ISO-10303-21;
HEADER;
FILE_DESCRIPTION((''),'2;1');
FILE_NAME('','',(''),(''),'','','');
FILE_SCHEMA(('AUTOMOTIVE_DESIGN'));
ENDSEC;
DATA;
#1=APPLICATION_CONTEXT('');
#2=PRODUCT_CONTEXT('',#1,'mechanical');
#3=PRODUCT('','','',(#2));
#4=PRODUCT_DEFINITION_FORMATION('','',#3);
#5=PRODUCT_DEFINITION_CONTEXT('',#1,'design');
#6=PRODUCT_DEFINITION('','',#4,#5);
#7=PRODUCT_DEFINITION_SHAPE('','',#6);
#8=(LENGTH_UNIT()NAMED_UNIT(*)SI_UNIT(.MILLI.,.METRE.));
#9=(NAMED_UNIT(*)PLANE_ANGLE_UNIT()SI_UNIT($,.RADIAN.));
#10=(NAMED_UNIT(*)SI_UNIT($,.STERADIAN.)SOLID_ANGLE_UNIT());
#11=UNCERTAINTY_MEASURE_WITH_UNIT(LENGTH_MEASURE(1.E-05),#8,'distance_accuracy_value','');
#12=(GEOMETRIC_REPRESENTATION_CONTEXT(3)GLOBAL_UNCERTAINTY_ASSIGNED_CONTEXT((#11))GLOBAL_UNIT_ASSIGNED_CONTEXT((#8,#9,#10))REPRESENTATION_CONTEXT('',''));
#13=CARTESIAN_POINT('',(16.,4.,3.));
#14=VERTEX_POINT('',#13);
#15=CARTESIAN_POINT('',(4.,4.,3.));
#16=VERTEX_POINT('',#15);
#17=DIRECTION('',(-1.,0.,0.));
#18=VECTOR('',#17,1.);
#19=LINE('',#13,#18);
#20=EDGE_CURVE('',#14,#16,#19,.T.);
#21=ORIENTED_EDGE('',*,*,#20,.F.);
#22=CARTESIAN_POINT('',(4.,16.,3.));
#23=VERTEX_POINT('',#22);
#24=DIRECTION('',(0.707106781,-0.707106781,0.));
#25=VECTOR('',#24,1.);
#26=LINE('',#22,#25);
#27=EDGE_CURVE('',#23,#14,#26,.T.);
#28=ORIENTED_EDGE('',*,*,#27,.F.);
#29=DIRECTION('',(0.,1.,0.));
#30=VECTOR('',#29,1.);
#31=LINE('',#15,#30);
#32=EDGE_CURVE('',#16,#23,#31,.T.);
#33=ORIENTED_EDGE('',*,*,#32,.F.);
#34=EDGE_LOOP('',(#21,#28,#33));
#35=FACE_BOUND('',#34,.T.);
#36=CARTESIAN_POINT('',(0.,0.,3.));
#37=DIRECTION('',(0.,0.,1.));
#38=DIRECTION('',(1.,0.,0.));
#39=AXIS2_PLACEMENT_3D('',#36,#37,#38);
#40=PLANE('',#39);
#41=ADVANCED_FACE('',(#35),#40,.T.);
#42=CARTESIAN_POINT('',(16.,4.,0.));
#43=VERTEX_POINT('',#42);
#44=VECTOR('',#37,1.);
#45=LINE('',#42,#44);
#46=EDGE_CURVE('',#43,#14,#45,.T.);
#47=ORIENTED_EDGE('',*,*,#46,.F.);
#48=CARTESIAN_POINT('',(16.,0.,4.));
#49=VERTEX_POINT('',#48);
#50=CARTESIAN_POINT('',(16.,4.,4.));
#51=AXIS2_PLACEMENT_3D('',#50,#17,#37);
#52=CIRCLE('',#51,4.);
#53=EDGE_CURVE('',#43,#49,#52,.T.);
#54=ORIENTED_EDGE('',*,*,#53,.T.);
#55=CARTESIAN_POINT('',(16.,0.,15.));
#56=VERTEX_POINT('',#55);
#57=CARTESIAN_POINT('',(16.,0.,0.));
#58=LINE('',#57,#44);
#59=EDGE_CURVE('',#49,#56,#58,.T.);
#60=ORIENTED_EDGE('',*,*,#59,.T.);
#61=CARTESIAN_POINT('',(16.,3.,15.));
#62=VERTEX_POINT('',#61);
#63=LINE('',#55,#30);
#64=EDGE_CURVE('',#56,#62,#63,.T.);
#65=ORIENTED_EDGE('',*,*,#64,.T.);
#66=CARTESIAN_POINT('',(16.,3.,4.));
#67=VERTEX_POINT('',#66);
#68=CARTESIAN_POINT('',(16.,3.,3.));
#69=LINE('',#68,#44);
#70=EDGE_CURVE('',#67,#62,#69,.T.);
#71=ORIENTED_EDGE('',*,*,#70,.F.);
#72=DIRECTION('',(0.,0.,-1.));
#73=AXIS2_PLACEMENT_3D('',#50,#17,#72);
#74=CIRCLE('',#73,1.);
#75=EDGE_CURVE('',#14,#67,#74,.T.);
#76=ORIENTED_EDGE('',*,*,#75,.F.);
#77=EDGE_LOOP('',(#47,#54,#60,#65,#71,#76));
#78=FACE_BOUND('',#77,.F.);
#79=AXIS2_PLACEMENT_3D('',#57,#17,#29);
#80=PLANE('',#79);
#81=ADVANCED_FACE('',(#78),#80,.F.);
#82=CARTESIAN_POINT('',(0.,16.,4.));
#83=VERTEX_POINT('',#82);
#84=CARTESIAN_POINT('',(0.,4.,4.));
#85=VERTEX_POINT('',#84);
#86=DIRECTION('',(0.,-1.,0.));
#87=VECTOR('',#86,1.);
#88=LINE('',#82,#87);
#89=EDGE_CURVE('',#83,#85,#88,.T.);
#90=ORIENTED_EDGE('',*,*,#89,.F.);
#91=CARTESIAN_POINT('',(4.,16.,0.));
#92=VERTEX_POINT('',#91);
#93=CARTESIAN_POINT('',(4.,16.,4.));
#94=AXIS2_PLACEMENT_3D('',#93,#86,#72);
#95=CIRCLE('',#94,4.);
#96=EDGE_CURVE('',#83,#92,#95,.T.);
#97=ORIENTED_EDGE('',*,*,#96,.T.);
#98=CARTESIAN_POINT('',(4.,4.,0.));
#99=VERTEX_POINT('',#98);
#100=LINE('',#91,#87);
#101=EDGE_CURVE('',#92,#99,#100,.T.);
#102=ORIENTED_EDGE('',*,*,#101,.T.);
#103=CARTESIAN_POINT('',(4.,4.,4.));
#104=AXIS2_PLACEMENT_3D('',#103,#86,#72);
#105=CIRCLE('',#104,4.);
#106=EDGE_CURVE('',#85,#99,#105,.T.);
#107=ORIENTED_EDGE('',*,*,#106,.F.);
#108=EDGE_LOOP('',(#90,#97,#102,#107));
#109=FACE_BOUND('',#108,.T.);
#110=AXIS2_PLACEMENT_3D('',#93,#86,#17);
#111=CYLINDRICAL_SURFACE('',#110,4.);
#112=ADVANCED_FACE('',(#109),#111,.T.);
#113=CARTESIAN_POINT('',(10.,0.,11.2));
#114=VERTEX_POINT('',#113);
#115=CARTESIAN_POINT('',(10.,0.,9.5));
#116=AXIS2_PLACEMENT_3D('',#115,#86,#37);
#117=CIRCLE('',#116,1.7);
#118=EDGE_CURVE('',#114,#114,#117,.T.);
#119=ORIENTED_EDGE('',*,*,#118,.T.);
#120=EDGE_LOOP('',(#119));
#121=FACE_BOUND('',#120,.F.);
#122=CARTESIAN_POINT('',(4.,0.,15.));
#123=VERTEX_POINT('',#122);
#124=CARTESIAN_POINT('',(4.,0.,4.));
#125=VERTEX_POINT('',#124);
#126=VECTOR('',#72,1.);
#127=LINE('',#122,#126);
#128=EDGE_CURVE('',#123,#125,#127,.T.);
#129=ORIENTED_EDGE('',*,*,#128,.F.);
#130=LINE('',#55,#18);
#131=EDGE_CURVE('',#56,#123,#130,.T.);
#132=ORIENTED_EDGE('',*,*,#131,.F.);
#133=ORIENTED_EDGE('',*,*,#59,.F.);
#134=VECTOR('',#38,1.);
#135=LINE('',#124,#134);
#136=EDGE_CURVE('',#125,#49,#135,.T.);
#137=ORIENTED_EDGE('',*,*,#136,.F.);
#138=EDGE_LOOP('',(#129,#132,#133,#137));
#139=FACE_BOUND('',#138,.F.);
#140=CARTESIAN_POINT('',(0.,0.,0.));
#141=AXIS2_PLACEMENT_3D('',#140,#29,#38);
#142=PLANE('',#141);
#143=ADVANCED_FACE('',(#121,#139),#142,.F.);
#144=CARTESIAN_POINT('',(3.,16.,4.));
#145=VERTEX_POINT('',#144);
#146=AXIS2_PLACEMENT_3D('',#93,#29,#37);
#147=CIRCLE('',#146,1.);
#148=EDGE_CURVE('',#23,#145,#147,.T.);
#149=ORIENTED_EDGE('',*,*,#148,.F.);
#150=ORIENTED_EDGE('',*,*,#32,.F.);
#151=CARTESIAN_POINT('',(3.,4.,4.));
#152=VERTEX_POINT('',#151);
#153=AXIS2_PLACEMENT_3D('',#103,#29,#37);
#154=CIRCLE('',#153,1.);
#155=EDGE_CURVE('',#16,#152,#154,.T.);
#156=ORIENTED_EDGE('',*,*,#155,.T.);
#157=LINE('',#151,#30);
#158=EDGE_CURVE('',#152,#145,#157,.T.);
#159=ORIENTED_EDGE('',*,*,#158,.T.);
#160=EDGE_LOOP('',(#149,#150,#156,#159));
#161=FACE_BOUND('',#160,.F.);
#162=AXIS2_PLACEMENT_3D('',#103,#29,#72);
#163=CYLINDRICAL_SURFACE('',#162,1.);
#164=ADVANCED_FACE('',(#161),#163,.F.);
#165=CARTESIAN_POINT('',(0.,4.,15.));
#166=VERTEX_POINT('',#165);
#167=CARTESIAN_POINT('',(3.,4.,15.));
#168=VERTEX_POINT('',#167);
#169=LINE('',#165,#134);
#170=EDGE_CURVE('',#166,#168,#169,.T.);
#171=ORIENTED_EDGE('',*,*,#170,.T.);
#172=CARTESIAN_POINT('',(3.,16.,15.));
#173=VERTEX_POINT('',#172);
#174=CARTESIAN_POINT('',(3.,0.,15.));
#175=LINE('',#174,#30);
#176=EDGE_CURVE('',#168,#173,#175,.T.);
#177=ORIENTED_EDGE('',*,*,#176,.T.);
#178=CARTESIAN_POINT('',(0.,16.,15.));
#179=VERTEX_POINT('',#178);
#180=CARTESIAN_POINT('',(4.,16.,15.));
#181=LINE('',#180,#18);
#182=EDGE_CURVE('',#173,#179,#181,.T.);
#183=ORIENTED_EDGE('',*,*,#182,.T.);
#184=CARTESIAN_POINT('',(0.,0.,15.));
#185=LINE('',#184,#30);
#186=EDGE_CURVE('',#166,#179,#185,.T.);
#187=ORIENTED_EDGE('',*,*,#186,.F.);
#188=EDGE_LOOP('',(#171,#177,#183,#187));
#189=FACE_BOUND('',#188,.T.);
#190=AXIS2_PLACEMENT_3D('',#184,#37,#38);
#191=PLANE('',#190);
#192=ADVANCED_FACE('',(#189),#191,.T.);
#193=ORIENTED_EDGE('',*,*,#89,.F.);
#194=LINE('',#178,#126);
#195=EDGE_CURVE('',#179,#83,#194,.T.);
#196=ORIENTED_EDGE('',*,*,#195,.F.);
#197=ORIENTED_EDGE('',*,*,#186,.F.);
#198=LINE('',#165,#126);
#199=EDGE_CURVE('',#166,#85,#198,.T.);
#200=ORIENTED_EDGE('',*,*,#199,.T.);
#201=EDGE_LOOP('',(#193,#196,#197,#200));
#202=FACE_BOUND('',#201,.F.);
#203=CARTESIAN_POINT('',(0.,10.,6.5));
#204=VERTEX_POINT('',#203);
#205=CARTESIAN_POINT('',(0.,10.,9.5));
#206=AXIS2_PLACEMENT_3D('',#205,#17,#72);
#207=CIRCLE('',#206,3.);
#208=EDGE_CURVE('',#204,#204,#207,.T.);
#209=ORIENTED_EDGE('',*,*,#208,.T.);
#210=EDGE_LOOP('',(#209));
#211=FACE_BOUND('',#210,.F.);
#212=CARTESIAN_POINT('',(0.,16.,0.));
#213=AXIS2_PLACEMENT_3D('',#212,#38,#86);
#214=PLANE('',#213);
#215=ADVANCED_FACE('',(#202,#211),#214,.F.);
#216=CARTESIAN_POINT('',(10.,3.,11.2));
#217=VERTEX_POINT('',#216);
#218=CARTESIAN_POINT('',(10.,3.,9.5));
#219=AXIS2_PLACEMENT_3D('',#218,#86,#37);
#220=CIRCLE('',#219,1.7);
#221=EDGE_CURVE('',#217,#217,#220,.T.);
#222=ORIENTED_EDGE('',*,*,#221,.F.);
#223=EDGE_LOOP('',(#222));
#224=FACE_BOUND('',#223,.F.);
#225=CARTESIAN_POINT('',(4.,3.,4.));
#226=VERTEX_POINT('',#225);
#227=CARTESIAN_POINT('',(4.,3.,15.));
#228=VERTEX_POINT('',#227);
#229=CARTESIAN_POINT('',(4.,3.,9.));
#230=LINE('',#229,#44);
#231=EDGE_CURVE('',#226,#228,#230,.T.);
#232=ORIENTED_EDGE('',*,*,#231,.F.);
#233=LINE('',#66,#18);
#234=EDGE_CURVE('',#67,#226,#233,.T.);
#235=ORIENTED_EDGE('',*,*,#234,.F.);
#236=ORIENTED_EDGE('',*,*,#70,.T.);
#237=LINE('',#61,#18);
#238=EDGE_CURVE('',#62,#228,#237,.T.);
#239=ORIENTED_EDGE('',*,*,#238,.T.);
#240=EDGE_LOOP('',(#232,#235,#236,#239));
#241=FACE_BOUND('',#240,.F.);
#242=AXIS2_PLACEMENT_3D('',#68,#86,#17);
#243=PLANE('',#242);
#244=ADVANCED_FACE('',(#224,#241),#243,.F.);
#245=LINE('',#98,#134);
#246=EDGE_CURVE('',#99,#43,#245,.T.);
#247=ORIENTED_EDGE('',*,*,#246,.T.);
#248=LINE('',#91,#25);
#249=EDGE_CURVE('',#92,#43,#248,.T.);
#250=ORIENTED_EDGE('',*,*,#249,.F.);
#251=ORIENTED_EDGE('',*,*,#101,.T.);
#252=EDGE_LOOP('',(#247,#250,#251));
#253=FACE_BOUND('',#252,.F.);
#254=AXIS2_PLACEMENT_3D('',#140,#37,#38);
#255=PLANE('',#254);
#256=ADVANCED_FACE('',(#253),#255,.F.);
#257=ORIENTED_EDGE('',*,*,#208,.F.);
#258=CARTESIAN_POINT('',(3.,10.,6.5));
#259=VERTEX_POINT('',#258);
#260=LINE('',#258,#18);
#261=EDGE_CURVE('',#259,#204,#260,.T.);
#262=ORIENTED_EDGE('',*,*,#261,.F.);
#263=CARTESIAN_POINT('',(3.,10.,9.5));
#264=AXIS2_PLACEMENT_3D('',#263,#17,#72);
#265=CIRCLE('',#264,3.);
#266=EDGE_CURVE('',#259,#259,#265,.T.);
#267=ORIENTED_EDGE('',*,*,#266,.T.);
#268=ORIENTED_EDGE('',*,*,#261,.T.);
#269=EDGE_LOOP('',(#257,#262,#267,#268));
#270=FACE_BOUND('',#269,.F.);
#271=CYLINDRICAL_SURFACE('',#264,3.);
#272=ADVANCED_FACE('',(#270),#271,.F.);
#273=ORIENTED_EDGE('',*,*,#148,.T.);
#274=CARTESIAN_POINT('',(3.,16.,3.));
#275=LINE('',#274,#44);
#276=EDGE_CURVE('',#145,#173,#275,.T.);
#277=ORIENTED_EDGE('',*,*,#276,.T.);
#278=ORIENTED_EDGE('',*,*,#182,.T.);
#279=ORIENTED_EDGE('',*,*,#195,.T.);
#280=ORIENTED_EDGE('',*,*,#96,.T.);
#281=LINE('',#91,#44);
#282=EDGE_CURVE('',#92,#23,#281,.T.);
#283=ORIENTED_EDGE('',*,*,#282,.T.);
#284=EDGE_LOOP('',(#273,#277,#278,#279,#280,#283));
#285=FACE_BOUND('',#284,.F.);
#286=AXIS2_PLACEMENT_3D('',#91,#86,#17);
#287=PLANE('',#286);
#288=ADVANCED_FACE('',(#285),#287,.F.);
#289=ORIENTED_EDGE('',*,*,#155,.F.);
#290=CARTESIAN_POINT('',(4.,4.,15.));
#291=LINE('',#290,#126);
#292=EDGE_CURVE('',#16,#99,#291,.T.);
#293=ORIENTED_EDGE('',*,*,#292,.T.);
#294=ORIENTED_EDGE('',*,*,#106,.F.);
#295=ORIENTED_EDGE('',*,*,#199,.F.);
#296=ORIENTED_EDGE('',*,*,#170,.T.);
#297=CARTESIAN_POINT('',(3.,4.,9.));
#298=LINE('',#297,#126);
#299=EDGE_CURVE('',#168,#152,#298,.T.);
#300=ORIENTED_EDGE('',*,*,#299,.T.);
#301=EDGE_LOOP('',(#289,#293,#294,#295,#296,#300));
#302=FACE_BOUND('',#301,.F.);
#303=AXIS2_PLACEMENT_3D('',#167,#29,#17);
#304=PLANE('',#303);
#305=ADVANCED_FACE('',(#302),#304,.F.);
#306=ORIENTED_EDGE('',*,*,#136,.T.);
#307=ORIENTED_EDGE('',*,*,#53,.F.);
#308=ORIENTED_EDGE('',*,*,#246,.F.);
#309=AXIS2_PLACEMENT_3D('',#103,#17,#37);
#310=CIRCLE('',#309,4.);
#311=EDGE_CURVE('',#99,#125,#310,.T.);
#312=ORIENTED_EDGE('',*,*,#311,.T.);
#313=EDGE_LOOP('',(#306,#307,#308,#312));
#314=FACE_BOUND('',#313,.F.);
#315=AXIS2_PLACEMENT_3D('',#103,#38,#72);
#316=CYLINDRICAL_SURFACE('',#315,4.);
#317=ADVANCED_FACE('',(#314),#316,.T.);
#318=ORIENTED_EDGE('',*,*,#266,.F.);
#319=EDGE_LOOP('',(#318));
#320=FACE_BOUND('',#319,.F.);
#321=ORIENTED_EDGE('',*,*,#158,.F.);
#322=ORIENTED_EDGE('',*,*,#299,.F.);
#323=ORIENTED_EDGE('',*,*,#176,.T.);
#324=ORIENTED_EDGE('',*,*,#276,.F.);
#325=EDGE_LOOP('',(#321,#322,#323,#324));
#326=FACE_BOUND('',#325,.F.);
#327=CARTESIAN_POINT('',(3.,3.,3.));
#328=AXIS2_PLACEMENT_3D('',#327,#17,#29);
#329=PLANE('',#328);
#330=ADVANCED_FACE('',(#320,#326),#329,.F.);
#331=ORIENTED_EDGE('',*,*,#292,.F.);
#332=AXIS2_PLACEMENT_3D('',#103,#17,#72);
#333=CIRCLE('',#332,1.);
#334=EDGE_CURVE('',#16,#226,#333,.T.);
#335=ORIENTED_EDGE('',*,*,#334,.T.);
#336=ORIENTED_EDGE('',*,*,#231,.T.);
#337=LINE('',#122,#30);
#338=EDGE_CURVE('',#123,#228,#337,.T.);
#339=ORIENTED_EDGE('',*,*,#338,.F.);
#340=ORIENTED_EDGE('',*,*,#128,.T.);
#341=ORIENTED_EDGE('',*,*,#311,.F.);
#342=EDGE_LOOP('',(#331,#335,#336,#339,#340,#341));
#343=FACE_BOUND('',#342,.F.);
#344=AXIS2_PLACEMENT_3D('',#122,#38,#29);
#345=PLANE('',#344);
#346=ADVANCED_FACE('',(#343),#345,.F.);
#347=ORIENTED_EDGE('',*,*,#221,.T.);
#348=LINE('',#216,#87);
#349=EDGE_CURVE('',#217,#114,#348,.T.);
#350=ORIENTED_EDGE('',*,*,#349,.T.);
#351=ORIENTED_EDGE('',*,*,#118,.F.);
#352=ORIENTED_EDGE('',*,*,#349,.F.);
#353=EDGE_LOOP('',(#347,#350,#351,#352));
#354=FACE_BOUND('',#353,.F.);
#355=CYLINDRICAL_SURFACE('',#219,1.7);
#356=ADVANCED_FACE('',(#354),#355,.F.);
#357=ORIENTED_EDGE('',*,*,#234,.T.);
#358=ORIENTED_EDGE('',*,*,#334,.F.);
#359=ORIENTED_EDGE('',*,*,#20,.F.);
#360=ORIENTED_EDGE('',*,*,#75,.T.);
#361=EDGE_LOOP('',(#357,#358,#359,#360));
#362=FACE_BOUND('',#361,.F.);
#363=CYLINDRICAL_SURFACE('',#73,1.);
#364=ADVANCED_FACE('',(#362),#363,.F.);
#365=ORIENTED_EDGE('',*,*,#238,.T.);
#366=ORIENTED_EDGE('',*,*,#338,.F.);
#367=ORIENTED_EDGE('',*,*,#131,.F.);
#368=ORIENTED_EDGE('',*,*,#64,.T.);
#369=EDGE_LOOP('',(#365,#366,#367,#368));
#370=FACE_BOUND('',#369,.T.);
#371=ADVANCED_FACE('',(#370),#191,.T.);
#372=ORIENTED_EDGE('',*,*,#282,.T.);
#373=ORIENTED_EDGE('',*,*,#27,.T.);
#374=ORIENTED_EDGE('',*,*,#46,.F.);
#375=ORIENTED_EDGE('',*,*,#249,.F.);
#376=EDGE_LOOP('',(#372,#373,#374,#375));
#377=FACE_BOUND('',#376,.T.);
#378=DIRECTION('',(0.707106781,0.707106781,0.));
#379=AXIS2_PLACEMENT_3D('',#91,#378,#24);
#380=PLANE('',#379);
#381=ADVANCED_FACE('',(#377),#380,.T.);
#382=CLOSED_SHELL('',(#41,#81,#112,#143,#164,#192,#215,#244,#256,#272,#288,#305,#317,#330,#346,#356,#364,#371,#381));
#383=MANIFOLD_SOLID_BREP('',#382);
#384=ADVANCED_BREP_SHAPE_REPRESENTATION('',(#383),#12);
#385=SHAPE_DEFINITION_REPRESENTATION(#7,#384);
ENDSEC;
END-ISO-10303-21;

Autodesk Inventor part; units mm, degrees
ref_plane "YZ Plane" through (0, 0, 0) normal (1, 0, 0) x (0, 1, 0)
ref_plane "XZ Plane" through (0, 0, 0) normal (0, 1, 0) x (-1, 0, 0)
ref_plane "XY Plane" through (0, 0, 0) normal (0, 0, 1) x (1, 0, 0)
sketch "Sketch1" plane through (0, 0, 0) normal (0, 0, 1) x (1, 0, 0)
  line L0 (0, 0) -> (16, 0)
  line L1 (16, 0) -> (16, 16)
  line L2 (16, 16) -> (0, 16)
  line L3 (0, 16) -> (0, 0)
  line L4 (4, 16) -> (16, 4)
  dimension "d0" = 45
  dimension "d1" = 16
  dimension "d2" = 16
  dimension "d3" = 4
extrude "Extrusion1" add sketch "Sketch1" along normal blind 3 contours L3 L2 L4 L1 L0
sketch "Sketch2" plane through (0, 0, 3) normal (0, 0, 1) x (1, 0, 0)
  line L0 (0, 0) -> (16, 0) projected
  line L1 (16, 0) -> (16, 4) projected
  line L2 (16, 4) -> (4, 16) projected
  line L3 (4, 16) -> (0, 16) projected
  line L4 (0, 16) -> (0, 0) projected
  line L5 (4, 16) -> (0, 16) projected
  line L6 (0, 0) -> (3, 0)
  line L7 (3, 0) -> (3, 16)
  line L8 (3, 16) -> (0, 16)
  line L9 (0, 16) -> (0, 0)
  line L10 (16, 3) -> (0, 3)
  line L11 (0, 3) -> (0, 0)
  line L12 (0, 0) -> (16, 0)
  line L13 (16, 0) -> (16, 3)
  dimension "d20" = 3
  dimension "d21" = 3
extrude "Extrusion2" add sketch "Sketch2" along normal blind 12 contours L4 L10 L7 L0 | L7 L10 L1 L0 | L4 L3 L7 L10
sketch "Sketch6" plane through (0, 0, 15) normal (0, 0, 1) x (1, 0, 0)
  line L0 (0, 0) -> (4, 0)
  line L1 (4, 0) -> (4, 4)
  line L2 (4, 4) -> (0, 4)
  line L3 (0, 4) -> (0, 0)
  line L4 (3, 3) -> (3, 16) projected
  line L5 (16, 3) -> (3, 3) projected
  dimension "d22" = 1
  dimension "d23" = 1
extrude "Extrusion5" cut sketch "Sketch6" against normal through all
fillet "Fillet1" radius 1 2 edges at (3, 10, 3) (10, 3, 3)
fillet "Fillet2" radius 4 2 edges at (0, 10, 0) (10, 0, 0)
sketch "Sketch7" plane through (3, 4, 15) normal (1, 0, 0) x (0, 0, -1)
  line L0 (0, 0) -> (0, 12) projected
  line L1 (11, 12) -> (0, 12) projected
  point P0 (15, -4)
  point P1 (5.5, 6)
  point P2 (0, 6)
  point P3 (5.5, 12)
hole "Hole1" at (3, 10, 9.5) direction (-1, 0, 0) diameter 6 end through all
sketch "Sketch8" plane through (4, 3, 15) normal (0, 1, 0) x (1, 0, 0)
  line L0 (0, 11) -> (0, 0) projected
  line L1 (12, 0) -> (0, 0) projected
  point P0 (-4, 15)
  point P1 (6, 5.5)
  point P2 (0, 5.5)
  point P3 (6, 0)
hole "Hole2" at (10, 3, 9.5) direction (0, -1, 0) diameter 3.4 end through all clearance for "Flat Head Machine Screw" size "M3" standard "Ansi Metric M Profile"
equation "\"d2\" = d1"
equation "\"d21\" = d20"
equation "\"d23\" = d22"
properties part number "Top_Cable End" material "Aluminum 6061"
